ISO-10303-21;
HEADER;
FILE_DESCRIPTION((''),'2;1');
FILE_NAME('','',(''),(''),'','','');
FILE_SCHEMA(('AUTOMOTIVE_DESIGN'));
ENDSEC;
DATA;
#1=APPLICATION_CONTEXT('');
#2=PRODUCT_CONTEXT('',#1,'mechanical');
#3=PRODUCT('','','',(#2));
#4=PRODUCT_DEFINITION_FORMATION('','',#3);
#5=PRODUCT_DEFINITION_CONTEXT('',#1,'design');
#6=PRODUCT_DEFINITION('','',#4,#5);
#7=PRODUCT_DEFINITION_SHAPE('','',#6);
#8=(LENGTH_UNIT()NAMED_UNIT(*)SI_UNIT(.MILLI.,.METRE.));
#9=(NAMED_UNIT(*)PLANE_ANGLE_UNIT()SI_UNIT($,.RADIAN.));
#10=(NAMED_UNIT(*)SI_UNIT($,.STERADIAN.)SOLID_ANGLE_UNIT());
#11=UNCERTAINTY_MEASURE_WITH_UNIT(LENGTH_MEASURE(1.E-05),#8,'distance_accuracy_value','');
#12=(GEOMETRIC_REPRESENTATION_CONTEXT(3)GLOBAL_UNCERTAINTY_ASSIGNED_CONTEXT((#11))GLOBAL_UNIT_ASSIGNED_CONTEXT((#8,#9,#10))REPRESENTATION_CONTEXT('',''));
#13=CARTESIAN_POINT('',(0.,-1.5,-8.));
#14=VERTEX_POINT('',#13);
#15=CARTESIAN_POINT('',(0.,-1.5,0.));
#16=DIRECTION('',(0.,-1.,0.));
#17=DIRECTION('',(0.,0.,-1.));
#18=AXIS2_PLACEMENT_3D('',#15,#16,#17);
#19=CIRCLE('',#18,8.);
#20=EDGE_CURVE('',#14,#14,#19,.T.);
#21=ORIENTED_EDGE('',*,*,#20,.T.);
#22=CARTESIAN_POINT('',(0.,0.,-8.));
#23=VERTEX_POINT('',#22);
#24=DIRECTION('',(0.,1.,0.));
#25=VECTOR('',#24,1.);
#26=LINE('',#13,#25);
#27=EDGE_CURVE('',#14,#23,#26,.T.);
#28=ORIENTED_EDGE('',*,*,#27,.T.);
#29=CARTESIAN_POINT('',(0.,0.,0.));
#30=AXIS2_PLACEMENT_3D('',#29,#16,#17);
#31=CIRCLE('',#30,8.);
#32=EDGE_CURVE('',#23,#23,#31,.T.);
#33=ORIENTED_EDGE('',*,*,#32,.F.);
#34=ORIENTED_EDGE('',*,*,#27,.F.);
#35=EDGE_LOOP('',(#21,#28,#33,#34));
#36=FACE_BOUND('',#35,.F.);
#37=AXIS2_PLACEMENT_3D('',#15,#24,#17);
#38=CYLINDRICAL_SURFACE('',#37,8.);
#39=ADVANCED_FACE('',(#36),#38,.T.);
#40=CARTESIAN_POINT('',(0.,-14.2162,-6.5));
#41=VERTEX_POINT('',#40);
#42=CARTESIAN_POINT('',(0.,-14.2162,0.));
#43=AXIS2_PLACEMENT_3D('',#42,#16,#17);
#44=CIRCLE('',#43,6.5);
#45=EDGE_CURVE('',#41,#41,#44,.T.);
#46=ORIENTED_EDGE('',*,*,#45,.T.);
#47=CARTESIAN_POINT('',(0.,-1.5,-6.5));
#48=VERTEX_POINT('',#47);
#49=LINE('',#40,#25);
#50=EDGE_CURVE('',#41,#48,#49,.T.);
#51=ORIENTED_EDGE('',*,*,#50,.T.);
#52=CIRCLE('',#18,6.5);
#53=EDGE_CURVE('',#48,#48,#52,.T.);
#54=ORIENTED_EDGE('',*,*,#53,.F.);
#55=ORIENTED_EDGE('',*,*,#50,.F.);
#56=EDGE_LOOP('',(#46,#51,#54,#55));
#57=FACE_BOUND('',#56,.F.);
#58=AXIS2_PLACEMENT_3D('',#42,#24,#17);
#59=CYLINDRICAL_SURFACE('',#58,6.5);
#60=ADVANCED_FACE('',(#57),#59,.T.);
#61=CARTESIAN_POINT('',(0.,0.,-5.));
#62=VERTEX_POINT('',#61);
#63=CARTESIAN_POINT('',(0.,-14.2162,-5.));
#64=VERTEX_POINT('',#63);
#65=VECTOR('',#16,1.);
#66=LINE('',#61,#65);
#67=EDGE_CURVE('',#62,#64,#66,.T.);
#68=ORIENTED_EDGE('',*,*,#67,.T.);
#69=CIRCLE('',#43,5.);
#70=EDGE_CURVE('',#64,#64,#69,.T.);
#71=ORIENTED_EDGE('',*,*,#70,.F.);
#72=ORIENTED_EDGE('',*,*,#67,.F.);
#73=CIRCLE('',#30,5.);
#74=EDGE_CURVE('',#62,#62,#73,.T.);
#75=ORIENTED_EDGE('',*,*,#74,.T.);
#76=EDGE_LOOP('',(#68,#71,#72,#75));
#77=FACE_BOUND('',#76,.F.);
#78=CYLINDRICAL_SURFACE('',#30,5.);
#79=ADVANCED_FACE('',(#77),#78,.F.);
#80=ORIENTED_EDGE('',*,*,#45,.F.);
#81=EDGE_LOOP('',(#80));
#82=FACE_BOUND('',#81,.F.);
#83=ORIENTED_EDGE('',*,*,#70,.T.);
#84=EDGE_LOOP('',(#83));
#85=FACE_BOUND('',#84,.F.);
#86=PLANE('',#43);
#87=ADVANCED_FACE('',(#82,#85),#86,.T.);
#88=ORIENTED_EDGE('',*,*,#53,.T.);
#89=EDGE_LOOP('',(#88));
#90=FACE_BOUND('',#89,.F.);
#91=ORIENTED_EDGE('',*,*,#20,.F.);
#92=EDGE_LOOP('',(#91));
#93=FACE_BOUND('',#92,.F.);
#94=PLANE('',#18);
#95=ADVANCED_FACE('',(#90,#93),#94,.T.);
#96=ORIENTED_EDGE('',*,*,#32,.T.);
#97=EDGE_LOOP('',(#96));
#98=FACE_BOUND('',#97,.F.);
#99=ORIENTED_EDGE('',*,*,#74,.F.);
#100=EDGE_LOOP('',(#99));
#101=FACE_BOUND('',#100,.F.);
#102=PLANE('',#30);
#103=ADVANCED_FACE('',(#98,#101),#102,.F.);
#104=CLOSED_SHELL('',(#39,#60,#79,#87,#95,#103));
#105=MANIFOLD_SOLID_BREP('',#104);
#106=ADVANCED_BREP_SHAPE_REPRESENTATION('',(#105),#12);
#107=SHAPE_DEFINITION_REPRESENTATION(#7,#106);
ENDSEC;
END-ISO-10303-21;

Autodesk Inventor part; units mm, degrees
ref_plane "YZ Plane" through (0, 0, 0) normal (1, 0, 0) x (0, 1, 0)
ref_plane "XZ Plane" through (0, 0, 0) normal (0, 1, 0) x (-1, 0, 0)
ref_plane "XY Plane" through (0, 0, 0) normal (0, 0, 1) x (1, 0, 0)
sketch "Sketch1" plane through (0, 0, 0) normal (1, 0, 0) x (0, 1, 0)
  line L0 (0, -5) -> (-14.2162, -5)
  line L1 (-14.2162, -5) -> (-14.2162, -6.5)
  line L2 (-14.2162, -6.5) -> (-1.5, -6.5)
  line L3 (-1.5, -6.5) -> (-1.5, -8)
  line L4 (-1.5, -8) -> (0, -8)
  line L5 (0, -8) -> (0, -5)
  line L6 (6.1756, 0) -> (-16.6954, 0)
  point P0 (0, 0)
  dimension "d1" = 10
  dimension "d3" = 13
  dimension "d4" = 1.5
  dimension "d5" = 16
revolve "Revolution1" add sketch "Sketch1" angle 360 about axis through (0, 6.1756, 0) along (0, -1, 0)
properties part number "Flange_Bearing_5448T5"
